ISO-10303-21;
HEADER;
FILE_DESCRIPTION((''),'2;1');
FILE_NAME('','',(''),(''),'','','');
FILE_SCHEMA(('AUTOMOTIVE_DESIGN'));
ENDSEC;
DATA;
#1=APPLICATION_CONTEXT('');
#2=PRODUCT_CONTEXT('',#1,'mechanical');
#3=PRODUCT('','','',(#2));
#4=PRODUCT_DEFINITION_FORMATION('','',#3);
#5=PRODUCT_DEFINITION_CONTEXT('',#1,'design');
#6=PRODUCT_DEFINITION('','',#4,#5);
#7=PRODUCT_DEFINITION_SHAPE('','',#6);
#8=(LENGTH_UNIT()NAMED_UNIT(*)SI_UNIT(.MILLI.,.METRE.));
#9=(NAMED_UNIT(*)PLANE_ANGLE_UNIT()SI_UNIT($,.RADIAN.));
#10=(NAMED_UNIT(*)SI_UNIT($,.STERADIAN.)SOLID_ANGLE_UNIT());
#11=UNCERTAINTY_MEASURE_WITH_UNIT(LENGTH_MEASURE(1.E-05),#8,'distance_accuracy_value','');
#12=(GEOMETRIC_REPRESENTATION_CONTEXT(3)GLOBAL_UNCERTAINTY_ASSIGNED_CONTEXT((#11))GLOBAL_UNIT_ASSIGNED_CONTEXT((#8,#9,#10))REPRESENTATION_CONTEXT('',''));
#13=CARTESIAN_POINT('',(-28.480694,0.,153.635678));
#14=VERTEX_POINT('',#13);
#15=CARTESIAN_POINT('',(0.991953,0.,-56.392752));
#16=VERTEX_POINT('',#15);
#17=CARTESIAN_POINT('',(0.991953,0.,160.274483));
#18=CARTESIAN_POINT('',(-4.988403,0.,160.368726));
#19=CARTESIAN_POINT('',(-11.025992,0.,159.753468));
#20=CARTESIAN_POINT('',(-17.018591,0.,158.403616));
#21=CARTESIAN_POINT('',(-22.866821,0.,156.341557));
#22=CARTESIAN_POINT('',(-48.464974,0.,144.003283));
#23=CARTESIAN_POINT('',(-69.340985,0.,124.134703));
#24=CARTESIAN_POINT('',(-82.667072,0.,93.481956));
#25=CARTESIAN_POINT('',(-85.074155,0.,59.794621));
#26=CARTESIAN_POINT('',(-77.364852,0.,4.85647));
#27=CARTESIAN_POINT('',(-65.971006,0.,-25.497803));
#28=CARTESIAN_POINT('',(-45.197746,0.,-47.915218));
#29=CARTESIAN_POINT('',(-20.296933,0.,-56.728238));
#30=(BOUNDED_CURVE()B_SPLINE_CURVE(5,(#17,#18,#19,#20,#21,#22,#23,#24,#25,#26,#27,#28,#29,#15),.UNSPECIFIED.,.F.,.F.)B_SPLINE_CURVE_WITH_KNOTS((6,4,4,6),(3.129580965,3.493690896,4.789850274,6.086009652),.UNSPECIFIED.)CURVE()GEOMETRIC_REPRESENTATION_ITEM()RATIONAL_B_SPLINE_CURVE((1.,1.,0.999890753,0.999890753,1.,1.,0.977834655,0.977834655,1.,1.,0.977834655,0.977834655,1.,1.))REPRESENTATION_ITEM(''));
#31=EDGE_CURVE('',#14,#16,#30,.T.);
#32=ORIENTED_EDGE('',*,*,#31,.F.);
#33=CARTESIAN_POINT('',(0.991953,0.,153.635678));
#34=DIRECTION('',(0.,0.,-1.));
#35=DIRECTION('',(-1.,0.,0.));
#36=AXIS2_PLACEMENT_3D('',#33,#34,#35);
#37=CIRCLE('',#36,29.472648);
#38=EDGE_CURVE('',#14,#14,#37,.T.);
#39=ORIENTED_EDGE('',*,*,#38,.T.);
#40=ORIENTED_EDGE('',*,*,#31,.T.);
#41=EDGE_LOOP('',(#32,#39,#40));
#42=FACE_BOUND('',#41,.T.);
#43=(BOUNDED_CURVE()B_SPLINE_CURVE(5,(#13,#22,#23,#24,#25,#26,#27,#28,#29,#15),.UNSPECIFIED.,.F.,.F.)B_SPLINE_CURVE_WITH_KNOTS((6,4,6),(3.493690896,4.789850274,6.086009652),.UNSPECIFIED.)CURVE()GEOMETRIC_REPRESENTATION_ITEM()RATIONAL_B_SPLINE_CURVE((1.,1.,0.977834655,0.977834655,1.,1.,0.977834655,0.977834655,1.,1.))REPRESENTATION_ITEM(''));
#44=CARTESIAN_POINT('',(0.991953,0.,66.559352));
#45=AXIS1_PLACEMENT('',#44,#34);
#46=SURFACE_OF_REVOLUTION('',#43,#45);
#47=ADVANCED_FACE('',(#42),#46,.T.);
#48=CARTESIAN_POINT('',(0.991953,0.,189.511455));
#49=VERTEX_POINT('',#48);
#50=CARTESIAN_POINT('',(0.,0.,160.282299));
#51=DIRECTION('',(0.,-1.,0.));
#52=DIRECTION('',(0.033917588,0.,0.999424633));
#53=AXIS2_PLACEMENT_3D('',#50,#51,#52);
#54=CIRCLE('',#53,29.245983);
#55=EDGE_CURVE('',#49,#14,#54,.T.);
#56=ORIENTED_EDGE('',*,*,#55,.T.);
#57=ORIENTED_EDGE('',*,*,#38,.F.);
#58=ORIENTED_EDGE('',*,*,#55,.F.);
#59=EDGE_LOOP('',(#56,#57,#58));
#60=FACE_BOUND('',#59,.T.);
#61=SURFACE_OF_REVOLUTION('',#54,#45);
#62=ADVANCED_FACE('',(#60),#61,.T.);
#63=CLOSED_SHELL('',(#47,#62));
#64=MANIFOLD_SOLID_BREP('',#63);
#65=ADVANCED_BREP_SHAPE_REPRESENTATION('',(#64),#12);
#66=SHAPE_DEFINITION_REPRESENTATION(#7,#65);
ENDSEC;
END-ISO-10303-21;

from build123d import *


with BuildPart() as f1:
    # F0 (on Front) → F1 (revolve)
    with BuildSketch(Plane.XZ):
        with BuildLine():
            ThreePointArc((0.9919531955, 131.0531430137), (-17.7876486793, 137.0674958704), (-28.4806944533, 153.6356779957))
            add(Edge.make_bspline(
                [(-28.4806944533, 153.6356779957), (-93.8230004627, 122.1407774973), (-81.2195034456, 32.3255455076), (-68.6160064285, -57.4896864821), (0.9919531955, -56.3927516007)],
                knots=[3.4936908956, 3.4936908956, 3.4936908956, 4.8944439455, 4.8944439455, 6.2951969954, 6.2951969954, 6.2951969954], degree=2, weights=[1, 0.764599569, 1, 0.764599569, 1]))
            Line((0.9919531955, -56.3927516007), (0.9919531955, 131.0531430137))
        make_face()
        with BuildLine():
            Line((0.9919531955, 131.0531430137), (0.9919531955, 160.2744832301))
            add(Edge.make_bspline(
                [(0.9919531955, 160.2744832301), (-14.2101722536, 160.5140498223), (-28.4806944533, 153.6356779957)],
                knots=[3.1295809653, 3.1295809653, 3.1295809653, 3.4936908956, 3.4936908956, 3.4936908956], degree=2, weights=[1, 0.9834737162, 1]))
            ThreePointArc((-28.4806944533, 153.6356779957), (-17.7876486793, 137.0674958704), (0.9919531955, 131.0531430137))
        make_face()
        with BuildLine():
            add(Edge.make_bspline(
                [(0.9919531955, 160.2744832301), (-14.2101722536, 160.5140498223), (-28.4806944533, 153.6356779957)],
                knots=[3.1295809653, 3.1295809653, 3.1295809653, 3.4936908956, 3.4936908956, 3.4936908956], degree=2, weights=[1, 0.9834737162, 1]))
            Line((0.9919531955, 160.2744832301), (0.9919531955, 189.5114548314))
            ThreePointArc((0.9919531955, 189.5114548314), (-22.598131889, 178.8471032956), (-28.4806944533, 153.6356779957))
        make_face()
    revolve(axis=Axis((0.9919531955, 0, 66.5593516153), (0, 0, -1)))


solid = f1.part
